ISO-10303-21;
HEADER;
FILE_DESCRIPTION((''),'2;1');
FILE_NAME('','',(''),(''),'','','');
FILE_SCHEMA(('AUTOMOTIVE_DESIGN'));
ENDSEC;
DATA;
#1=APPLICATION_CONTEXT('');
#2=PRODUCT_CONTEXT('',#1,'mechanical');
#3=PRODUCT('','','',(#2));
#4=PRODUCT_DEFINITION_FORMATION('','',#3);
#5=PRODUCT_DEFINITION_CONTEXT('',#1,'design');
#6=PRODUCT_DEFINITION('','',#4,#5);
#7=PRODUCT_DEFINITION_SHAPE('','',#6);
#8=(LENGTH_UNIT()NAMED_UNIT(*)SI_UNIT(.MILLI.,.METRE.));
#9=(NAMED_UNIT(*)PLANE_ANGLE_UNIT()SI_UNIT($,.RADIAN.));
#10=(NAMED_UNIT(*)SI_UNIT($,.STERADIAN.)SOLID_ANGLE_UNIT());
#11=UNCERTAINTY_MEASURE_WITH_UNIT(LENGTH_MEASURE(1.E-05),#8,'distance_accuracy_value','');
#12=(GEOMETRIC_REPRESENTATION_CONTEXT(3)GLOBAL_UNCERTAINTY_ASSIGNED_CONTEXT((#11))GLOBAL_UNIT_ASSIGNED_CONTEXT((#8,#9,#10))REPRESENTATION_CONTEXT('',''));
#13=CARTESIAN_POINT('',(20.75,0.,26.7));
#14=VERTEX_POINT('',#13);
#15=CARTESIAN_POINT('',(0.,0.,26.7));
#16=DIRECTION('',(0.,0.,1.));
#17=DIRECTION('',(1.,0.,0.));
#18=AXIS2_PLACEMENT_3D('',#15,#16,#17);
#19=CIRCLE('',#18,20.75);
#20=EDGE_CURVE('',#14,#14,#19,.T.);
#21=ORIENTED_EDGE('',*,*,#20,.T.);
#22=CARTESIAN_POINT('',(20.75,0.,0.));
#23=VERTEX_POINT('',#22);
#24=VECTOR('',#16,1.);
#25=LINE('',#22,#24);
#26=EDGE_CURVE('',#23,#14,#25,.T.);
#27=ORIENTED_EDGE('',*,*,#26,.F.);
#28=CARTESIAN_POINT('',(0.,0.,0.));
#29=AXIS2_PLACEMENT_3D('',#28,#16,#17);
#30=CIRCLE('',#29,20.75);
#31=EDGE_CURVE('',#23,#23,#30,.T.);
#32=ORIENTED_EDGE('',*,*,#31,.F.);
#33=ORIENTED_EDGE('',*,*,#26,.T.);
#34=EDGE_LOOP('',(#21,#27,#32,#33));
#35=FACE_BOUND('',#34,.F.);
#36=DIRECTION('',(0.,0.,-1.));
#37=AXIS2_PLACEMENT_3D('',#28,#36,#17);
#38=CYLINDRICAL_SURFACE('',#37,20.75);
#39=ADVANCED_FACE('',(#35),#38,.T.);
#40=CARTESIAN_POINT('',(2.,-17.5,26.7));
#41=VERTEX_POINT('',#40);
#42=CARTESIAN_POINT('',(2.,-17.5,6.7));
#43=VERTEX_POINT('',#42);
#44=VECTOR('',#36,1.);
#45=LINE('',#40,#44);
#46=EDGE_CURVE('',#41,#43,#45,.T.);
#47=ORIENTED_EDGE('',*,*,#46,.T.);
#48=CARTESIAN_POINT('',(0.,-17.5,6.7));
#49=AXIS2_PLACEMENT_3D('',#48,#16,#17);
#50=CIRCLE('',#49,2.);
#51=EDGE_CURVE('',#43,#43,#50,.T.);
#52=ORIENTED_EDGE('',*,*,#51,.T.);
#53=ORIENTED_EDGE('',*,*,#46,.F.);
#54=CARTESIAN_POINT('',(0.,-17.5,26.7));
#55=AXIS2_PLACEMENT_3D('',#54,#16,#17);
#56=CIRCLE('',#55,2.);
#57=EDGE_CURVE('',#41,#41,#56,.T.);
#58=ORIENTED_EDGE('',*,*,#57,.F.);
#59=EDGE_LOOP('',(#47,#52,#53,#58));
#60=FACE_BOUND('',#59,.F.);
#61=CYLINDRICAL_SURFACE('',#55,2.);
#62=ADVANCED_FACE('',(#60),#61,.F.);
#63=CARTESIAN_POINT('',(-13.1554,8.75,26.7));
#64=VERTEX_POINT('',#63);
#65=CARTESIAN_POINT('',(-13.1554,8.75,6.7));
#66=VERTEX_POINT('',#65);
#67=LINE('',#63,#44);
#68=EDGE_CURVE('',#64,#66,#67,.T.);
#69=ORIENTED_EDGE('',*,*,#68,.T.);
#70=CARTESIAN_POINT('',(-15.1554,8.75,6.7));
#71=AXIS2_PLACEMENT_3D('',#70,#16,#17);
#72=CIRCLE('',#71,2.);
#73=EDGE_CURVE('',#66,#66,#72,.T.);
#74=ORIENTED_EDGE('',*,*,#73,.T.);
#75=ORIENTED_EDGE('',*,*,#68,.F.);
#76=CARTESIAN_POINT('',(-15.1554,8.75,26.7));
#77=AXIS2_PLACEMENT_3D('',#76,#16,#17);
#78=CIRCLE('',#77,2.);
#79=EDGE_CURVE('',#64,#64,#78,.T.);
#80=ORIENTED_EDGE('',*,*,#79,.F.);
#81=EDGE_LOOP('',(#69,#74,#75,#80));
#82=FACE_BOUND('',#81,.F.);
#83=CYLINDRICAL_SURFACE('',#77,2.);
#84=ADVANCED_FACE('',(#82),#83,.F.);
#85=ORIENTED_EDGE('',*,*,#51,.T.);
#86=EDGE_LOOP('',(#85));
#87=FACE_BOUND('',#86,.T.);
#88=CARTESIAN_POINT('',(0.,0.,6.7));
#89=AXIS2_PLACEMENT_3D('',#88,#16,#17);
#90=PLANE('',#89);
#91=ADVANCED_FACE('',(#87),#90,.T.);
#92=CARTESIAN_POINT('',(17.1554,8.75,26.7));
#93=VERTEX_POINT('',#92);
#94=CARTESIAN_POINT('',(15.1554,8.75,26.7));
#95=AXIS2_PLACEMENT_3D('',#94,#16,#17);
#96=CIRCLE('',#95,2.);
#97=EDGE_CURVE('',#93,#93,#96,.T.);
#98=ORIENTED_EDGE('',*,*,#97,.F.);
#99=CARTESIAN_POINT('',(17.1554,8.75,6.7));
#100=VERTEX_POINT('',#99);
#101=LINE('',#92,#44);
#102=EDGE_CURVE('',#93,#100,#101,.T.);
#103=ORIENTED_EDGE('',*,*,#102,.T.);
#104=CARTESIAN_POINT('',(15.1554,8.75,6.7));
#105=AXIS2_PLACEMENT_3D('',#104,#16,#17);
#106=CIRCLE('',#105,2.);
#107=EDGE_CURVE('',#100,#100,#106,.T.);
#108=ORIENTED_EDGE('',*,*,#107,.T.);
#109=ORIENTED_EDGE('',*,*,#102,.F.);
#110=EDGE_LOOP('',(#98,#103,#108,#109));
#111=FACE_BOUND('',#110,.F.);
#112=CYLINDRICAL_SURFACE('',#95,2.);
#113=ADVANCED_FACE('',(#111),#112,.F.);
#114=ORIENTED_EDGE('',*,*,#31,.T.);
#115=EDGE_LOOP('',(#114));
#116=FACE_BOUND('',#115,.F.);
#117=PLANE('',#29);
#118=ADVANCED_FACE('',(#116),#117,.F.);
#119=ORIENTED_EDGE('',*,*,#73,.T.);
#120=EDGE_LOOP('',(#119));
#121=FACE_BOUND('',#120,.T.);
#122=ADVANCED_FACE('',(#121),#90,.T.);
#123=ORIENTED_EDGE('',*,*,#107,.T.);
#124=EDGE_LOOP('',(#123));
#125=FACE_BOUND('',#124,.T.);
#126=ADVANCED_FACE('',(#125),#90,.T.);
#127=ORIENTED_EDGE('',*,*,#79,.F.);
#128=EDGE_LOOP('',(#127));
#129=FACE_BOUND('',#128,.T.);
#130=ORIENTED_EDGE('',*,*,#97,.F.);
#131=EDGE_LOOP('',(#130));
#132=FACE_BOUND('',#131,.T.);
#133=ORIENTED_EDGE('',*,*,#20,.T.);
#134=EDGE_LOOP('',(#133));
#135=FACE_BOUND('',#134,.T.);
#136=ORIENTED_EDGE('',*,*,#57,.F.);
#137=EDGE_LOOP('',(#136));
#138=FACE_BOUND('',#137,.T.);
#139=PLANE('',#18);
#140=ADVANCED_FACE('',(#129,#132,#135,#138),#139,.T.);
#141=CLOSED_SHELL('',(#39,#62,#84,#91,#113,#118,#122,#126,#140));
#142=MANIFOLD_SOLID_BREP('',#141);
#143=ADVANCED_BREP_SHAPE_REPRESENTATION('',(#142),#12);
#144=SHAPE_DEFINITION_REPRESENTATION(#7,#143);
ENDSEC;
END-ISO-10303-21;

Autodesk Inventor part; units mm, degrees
ref_plane "YZ Plane" through (0, 0, 0) normal (1, 0, 0) x (0, 1, 0)
ref_plane "XZ Plane" through (0, 0, 0) normal (0, 1, 0) x (-1, 0, 0)
ref_plane "XY Plane" through (0, 0, 0) normal (0, 0, 1) x (1, 0, 0)
sketch "Sketch1" plane through (0, 0, 0) normal (0, 0, 1) x (1, 0, 0)
  circle A0 centre (0, 0) radius 20.75
  dimension "d0" = 41.5
extrude "Extrusion1" add sketch "Sketch1" along normal blind 26.7
sketch "Sketch2" plane through (0, 0, 26.7) normal (0, 0, 1) x (1, 0, 0)
  circle A0 centre (-15.1554, 8.75) radius 2
  circle A1 centre (15.1554, 8.75) radius 2
  circle A2 centre (0, -17.5) radius 2
  circle A3 centre (0, 0) radius 17.5 construction
  line L0 (0, 0) -> (-15.1554, 8.75) construction
  line L1 (0, 0) -> (15.1554, 8.75) construction
  line L2 (0, 0) -> (0, -17.5) construction
  dimension "d3" = 35
  dimension "d4" = 120
  dimension "d5" = 120
  dimension "d6" = 4
extrude "Extrusion2" cut sketch "Sketch2" against normal blind 20
properties part number "Hoverboard Frame"
